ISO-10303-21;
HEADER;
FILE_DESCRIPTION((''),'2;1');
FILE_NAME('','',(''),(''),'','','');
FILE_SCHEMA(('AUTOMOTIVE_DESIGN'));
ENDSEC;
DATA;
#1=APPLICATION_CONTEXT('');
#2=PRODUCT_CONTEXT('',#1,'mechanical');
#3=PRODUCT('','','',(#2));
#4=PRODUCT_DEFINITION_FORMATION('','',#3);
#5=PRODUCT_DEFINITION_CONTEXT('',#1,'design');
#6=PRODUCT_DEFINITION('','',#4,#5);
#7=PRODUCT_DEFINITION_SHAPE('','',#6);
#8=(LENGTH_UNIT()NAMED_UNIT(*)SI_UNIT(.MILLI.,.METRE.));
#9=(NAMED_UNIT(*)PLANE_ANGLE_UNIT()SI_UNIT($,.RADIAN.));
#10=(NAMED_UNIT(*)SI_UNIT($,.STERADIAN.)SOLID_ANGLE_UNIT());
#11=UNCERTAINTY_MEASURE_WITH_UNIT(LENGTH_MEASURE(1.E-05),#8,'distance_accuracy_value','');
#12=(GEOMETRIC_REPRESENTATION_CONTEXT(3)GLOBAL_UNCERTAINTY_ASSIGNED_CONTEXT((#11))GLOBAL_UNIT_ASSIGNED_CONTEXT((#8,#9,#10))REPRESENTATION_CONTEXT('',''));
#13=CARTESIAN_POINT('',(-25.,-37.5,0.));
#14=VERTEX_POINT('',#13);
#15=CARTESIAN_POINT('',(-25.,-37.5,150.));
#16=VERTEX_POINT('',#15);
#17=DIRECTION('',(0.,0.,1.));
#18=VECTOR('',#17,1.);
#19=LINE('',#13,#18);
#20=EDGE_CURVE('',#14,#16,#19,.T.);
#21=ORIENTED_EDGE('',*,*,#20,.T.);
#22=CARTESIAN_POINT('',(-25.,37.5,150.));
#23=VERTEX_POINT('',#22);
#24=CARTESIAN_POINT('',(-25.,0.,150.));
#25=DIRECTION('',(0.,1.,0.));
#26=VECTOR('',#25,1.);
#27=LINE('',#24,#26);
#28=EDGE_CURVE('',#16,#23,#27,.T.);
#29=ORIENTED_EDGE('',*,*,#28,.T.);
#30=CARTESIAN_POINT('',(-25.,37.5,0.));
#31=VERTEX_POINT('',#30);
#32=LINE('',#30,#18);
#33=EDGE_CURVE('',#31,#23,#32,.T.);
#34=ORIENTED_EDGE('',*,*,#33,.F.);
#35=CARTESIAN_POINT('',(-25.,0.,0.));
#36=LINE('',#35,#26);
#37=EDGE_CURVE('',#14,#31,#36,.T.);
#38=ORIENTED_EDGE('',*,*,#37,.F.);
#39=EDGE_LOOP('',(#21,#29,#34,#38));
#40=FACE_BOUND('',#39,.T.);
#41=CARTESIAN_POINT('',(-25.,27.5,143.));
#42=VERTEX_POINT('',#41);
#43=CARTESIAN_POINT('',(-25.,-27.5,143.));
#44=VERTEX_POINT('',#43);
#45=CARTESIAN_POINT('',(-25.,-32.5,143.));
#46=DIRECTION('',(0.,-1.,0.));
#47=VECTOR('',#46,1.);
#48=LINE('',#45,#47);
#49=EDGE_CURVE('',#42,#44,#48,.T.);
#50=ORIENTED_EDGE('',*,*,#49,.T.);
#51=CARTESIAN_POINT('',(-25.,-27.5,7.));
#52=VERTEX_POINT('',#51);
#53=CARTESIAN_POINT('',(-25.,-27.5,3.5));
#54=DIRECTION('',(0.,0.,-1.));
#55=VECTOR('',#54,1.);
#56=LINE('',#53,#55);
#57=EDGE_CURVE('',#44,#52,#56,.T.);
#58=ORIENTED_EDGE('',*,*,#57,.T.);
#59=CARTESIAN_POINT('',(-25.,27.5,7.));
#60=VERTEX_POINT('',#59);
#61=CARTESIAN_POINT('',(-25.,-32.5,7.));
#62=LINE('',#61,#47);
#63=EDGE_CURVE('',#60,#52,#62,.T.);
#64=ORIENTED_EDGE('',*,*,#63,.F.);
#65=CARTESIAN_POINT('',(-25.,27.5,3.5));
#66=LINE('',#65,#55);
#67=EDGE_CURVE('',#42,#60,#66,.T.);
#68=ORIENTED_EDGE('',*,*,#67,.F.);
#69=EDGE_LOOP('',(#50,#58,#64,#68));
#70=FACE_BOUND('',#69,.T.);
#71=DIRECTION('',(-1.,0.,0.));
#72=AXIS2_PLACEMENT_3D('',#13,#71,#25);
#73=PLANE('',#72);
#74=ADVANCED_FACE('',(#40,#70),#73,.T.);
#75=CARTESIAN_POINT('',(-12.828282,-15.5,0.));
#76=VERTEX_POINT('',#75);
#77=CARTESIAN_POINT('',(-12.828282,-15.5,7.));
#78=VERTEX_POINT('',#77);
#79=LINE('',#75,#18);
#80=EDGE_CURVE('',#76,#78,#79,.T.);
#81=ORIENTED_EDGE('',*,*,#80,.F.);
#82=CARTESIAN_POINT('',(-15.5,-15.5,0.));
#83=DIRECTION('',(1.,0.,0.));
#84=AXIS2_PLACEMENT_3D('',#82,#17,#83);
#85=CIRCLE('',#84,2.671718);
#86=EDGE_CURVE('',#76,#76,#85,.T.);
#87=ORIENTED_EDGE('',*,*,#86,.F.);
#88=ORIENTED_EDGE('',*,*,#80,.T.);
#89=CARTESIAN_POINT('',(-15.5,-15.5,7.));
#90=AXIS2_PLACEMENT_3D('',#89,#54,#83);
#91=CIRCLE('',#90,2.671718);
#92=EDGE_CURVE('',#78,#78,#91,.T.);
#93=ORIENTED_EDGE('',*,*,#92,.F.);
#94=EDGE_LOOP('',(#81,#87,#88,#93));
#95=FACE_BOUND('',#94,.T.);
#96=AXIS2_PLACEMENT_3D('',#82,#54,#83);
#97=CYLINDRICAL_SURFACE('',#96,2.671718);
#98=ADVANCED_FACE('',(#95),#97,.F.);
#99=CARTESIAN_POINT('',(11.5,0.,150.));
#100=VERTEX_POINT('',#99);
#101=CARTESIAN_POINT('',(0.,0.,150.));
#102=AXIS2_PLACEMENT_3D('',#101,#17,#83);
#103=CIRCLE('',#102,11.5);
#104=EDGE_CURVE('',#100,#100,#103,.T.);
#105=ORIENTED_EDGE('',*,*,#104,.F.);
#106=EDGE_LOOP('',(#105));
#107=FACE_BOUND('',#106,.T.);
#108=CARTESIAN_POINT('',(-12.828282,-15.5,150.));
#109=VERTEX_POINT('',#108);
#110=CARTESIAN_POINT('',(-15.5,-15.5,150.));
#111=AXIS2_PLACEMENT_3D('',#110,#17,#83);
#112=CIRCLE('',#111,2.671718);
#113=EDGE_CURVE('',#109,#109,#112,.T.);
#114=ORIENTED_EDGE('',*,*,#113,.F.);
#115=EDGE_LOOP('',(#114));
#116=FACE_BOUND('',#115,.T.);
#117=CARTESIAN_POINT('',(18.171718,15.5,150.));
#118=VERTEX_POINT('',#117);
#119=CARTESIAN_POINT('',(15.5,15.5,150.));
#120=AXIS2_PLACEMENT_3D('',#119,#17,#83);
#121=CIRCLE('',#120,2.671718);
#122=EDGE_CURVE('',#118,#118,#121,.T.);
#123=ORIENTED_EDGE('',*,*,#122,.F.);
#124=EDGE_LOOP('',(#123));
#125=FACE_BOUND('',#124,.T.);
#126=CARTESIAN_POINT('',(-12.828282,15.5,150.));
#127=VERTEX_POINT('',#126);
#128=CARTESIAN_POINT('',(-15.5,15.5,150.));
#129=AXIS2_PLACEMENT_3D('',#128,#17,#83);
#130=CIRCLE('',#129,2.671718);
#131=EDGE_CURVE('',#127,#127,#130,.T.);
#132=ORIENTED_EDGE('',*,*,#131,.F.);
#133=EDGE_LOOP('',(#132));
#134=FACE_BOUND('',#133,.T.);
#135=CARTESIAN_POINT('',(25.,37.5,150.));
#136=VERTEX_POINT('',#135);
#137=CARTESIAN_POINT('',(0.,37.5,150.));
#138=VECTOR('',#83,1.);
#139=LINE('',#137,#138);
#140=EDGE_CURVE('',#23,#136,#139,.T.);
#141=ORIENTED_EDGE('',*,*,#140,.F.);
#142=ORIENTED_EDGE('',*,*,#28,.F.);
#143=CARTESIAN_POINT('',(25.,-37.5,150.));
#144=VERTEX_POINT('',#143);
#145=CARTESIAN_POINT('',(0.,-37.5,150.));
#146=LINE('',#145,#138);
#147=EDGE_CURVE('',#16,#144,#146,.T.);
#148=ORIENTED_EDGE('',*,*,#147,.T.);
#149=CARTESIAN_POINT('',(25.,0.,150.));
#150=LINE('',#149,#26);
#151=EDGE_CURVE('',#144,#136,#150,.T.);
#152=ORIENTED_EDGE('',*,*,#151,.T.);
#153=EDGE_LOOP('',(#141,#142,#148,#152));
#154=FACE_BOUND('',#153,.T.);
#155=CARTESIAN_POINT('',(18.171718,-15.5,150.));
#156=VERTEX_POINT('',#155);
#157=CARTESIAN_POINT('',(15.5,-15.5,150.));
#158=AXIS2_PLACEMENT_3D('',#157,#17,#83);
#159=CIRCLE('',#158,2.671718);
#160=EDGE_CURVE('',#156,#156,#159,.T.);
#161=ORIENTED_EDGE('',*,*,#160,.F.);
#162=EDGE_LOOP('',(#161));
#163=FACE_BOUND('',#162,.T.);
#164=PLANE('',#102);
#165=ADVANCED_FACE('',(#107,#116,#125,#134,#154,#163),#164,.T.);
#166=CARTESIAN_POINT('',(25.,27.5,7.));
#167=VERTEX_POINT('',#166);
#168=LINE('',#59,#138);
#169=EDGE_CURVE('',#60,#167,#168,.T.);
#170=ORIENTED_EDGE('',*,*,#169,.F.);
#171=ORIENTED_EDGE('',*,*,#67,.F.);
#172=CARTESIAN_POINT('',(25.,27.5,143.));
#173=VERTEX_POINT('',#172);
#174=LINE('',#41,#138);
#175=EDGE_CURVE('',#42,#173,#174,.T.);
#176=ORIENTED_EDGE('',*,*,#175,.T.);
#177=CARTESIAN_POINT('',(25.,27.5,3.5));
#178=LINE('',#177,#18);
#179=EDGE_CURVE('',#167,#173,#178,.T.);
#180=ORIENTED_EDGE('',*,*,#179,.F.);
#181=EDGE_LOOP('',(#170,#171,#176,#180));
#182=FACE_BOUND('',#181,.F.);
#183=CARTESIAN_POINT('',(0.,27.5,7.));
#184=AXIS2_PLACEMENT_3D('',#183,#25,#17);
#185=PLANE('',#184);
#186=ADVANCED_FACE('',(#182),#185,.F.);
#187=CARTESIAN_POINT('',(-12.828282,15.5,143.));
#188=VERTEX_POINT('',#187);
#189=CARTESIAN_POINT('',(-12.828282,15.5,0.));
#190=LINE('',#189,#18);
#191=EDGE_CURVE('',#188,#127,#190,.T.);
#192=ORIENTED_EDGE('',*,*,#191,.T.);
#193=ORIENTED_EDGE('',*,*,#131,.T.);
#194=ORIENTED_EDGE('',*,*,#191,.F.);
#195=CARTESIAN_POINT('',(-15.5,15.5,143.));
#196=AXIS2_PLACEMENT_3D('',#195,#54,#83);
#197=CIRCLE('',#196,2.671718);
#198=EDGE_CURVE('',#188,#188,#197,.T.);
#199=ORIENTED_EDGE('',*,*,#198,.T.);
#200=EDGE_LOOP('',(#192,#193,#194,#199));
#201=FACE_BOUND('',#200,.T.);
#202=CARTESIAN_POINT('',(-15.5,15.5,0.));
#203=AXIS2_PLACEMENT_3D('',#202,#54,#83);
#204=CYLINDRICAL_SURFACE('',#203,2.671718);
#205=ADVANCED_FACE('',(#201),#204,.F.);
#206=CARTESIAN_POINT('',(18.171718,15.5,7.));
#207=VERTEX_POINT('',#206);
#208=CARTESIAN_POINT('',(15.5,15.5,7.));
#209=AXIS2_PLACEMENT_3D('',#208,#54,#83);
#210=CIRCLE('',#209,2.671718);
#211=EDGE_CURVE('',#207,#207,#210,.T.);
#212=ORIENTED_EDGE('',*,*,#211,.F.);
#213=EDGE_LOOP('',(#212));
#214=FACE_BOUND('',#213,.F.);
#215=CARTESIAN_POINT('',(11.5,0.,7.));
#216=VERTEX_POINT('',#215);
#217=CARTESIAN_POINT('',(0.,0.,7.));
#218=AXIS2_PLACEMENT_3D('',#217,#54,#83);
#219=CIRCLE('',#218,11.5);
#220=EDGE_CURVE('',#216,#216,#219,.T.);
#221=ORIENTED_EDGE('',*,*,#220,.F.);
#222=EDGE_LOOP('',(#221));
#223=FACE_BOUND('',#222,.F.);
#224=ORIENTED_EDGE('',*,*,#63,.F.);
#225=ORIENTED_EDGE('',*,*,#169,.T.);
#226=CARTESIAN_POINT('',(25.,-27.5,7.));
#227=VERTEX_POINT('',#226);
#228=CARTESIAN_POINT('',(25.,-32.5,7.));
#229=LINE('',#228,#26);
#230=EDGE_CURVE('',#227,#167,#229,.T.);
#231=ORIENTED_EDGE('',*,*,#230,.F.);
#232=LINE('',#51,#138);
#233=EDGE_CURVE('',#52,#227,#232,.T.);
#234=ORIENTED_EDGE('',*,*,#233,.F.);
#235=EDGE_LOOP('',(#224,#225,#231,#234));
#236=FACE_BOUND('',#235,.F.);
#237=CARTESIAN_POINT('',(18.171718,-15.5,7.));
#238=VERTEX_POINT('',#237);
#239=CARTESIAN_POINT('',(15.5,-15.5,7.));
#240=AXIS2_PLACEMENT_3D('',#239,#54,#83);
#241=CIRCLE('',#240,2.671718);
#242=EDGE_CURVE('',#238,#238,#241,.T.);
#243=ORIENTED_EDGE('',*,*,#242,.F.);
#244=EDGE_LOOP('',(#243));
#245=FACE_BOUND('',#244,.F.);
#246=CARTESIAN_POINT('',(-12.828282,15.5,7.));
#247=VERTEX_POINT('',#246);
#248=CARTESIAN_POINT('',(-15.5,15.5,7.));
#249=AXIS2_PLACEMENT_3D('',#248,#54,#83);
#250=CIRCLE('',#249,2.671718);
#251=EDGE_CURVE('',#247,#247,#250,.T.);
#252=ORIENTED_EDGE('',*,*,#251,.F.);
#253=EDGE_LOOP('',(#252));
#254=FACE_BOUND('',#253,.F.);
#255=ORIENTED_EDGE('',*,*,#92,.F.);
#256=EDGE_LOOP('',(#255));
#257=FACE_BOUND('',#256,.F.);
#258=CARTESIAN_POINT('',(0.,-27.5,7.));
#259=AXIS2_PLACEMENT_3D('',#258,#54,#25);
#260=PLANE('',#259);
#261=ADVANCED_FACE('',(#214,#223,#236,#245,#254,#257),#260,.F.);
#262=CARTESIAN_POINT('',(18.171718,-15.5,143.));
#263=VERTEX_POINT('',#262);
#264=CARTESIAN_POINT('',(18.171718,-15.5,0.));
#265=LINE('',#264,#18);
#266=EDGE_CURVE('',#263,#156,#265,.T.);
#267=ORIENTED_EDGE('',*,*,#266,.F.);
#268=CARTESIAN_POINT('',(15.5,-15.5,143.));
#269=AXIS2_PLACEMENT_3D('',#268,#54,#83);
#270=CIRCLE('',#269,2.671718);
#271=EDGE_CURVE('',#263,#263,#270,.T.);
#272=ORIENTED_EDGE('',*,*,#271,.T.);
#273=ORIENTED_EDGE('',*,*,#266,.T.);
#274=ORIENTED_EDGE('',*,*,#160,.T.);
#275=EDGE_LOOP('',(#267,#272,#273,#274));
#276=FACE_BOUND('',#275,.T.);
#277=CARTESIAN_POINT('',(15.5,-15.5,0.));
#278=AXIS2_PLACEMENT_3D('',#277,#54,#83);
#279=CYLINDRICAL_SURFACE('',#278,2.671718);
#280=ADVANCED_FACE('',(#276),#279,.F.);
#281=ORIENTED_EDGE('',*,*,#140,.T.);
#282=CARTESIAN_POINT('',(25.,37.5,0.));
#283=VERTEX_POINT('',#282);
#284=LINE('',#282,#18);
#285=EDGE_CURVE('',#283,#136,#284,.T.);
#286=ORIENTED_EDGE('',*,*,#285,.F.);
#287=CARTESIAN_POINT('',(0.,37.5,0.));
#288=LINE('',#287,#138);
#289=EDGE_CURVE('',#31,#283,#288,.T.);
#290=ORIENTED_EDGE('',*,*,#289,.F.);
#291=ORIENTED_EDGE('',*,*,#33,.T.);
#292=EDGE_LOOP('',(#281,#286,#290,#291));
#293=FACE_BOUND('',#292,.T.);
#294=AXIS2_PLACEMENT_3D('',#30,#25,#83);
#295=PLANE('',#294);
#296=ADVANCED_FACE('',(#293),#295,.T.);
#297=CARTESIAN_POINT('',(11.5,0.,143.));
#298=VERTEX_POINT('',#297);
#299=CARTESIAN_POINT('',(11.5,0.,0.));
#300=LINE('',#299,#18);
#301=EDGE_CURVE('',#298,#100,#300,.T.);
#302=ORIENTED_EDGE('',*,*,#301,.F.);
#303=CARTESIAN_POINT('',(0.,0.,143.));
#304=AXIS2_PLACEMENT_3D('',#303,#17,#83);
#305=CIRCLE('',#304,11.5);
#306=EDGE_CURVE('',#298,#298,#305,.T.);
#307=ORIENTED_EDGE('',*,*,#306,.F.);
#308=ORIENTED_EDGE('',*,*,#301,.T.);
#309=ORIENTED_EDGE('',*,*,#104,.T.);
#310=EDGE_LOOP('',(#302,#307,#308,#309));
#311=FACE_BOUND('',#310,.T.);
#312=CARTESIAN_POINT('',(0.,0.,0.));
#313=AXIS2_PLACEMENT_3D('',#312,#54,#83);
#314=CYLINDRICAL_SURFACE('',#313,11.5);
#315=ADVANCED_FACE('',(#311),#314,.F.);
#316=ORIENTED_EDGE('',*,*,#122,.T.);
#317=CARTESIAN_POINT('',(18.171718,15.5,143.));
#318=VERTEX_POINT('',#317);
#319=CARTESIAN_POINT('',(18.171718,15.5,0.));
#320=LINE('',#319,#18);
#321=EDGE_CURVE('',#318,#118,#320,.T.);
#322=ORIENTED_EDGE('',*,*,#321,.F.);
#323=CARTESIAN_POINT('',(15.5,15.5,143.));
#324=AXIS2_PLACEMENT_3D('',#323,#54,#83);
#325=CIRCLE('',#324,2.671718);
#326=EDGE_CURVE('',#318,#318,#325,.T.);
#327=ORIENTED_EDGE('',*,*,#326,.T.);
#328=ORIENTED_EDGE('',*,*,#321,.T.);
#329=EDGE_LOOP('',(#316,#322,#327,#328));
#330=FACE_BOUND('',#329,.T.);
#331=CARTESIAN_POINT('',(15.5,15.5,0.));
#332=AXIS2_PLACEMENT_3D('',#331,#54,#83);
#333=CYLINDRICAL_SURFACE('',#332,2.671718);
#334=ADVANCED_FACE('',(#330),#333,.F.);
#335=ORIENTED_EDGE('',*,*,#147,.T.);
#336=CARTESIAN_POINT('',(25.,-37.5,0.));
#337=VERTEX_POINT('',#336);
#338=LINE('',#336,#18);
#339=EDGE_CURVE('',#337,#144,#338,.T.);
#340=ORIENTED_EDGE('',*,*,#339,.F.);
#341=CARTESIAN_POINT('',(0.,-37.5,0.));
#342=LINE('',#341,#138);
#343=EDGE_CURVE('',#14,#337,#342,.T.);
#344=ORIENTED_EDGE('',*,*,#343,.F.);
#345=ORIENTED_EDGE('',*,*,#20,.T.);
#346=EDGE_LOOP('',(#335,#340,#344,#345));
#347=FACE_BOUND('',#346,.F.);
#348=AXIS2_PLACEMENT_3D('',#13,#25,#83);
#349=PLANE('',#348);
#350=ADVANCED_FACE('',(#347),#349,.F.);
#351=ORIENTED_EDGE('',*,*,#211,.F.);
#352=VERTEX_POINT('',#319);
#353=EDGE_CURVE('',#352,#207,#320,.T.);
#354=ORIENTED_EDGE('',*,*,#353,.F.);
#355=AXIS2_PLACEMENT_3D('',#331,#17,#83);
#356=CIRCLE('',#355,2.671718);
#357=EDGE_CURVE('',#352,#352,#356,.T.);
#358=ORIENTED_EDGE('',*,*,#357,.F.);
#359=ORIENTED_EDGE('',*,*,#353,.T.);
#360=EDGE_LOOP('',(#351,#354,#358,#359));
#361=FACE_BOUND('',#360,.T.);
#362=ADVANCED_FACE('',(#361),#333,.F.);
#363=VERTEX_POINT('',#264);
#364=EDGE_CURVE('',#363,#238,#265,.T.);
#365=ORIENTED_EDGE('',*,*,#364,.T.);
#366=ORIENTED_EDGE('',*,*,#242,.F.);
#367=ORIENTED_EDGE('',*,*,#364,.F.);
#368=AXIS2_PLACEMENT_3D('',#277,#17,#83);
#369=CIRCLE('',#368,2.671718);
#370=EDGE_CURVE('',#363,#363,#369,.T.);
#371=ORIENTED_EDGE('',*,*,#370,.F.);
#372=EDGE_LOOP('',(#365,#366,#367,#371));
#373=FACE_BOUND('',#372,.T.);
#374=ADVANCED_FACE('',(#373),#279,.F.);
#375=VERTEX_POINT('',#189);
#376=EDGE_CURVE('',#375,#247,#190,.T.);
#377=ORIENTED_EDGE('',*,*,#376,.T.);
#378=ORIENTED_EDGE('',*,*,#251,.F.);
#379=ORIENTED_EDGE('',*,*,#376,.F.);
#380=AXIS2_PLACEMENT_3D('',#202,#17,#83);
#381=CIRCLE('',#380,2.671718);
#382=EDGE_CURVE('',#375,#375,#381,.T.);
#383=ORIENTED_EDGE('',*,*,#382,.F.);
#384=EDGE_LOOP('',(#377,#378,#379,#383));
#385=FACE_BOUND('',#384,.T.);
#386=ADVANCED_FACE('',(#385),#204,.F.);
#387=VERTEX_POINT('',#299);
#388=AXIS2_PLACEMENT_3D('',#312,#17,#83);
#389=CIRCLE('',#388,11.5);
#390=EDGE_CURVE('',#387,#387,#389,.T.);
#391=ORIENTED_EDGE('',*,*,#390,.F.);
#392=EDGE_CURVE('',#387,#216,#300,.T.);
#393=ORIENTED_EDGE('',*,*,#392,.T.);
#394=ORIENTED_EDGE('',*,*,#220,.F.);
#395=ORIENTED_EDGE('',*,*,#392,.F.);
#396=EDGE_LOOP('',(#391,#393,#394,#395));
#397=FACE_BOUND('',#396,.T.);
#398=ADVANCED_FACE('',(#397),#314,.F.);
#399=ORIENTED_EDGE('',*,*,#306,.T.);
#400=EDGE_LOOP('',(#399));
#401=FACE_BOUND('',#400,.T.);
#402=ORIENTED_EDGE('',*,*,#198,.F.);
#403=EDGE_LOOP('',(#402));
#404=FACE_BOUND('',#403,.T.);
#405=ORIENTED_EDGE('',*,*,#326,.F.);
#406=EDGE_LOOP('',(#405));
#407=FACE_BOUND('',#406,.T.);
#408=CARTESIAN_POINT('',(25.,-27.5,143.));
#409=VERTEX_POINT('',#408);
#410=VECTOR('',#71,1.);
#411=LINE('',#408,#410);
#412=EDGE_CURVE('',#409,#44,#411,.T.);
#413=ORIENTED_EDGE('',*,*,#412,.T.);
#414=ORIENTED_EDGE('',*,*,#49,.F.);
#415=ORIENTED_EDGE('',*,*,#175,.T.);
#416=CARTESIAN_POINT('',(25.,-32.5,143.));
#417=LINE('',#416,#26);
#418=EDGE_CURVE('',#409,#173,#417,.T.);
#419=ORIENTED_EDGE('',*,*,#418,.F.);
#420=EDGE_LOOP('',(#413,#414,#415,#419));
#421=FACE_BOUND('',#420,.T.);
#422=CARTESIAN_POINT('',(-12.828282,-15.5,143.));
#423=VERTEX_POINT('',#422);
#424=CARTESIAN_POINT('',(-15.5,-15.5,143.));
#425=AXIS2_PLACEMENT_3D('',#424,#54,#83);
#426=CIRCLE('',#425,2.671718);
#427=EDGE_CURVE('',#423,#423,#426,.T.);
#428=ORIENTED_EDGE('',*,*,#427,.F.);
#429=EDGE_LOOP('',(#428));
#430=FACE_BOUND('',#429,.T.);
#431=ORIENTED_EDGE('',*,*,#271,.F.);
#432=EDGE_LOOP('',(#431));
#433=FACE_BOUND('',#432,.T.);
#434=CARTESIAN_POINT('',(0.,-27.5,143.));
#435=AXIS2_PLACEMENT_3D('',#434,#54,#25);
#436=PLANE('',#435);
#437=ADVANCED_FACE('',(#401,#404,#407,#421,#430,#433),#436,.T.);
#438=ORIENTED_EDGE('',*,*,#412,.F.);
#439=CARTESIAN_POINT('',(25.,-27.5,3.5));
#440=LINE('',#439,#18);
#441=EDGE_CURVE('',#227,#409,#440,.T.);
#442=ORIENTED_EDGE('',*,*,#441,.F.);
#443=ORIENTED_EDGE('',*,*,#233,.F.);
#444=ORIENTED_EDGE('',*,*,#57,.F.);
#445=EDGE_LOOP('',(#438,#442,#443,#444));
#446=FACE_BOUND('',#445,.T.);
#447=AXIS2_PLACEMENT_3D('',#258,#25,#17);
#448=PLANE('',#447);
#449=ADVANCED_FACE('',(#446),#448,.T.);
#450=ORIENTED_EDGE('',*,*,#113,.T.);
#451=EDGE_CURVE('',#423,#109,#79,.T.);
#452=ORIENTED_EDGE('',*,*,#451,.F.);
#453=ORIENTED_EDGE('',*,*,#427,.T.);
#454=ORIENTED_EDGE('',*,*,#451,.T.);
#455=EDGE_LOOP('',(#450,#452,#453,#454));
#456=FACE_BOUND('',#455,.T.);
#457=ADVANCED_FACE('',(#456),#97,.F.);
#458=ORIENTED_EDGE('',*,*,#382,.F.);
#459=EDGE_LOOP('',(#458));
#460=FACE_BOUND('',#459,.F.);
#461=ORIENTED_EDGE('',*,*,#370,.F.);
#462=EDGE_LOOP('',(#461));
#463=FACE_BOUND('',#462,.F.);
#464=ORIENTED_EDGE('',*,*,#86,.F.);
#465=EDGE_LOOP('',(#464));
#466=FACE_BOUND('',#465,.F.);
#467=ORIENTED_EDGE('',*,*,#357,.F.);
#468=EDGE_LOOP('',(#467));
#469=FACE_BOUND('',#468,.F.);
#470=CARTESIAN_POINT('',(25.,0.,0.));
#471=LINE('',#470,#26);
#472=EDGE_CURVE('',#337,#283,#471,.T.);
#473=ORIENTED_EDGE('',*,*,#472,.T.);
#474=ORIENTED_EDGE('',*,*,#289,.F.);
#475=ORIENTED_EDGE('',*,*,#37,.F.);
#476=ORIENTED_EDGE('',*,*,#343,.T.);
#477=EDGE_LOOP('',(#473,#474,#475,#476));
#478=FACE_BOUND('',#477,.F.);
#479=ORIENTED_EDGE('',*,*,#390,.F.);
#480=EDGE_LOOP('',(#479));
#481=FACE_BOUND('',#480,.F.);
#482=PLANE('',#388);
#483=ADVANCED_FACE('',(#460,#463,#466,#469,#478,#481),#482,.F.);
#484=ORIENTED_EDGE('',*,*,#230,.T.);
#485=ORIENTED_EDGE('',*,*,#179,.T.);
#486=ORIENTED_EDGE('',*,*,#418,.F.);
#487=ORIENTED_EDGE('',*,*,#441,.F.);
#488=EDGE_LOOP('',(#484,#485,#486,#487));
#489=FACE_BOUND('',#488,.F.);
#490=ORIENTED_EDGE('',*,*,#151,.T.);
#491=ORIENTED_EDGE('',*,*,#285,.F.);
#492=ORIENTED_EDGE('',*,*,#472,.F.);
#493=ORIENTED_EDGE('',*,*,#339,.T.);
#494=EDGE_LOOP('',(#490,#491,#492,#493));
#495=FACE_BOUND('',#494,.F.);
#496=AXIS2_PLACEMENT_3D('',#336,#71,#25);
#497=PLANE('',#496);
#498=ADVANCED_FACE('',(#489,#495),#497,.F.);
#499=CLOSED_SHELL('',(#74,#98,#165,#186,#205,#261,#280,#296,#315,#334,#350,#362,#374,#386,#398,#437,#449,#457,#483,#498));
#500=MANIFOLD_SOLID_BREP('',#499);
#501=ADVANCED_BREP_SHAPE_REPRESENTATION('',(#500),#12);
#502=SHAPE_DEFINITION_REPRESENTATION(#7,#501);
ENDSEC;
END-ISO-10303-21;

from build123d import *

# Parameters (mm, degrees)
F0_W          = 50
F0_H          = 75
F0_R          = 2.6717182094
F0_R_2        = 11.5
F1_DEPTH      = 150
F2_W          = 55
F2_H          = 136
F3_DEPTH      = 50
F3_DEPTH_BACK = 50


with BuildPart() as f1:
    # F0 (on Top) → F1 (new body)
    with BuildSketch(Plane.XY):
        Rectangle(F0_W, F0_H)
        with Locations((-15.5, -15.5)):
            Circle(F0_R, mode=Mode.SUBTRACT)
        with Locations((15.5, -15.5)):
            Circle(F0_R, mode=Mode.SUBTRACT)
        with Locations((-15.5, 15.5)):
            Circle(F0_R, mode=Mode.SUBTRACT)
        Circle(F0_R_2, mode=Mode.SUBTRACT)
        with Locations((15.5, 15.5)):
            Circle(F0_R, mode=Mode.SUBTRACT)
    extrude(amount=F1_DEPTH)

    # F2 (on Right) → F3 (cut, two sides)
    with BuildSketch(Plane.YZ) as f3_sk:
        with Locations((0, 75)):
            Rectangle(F2_W, F2_H)
    extrude(amount=-F3_DEPTH, mode=Mode.SUBTRACT)
    extrude(f3_sk.sketch, amount=F3_DEPTH_BACK, mode=Mode.SUBTRACT)


solid = f1.part
